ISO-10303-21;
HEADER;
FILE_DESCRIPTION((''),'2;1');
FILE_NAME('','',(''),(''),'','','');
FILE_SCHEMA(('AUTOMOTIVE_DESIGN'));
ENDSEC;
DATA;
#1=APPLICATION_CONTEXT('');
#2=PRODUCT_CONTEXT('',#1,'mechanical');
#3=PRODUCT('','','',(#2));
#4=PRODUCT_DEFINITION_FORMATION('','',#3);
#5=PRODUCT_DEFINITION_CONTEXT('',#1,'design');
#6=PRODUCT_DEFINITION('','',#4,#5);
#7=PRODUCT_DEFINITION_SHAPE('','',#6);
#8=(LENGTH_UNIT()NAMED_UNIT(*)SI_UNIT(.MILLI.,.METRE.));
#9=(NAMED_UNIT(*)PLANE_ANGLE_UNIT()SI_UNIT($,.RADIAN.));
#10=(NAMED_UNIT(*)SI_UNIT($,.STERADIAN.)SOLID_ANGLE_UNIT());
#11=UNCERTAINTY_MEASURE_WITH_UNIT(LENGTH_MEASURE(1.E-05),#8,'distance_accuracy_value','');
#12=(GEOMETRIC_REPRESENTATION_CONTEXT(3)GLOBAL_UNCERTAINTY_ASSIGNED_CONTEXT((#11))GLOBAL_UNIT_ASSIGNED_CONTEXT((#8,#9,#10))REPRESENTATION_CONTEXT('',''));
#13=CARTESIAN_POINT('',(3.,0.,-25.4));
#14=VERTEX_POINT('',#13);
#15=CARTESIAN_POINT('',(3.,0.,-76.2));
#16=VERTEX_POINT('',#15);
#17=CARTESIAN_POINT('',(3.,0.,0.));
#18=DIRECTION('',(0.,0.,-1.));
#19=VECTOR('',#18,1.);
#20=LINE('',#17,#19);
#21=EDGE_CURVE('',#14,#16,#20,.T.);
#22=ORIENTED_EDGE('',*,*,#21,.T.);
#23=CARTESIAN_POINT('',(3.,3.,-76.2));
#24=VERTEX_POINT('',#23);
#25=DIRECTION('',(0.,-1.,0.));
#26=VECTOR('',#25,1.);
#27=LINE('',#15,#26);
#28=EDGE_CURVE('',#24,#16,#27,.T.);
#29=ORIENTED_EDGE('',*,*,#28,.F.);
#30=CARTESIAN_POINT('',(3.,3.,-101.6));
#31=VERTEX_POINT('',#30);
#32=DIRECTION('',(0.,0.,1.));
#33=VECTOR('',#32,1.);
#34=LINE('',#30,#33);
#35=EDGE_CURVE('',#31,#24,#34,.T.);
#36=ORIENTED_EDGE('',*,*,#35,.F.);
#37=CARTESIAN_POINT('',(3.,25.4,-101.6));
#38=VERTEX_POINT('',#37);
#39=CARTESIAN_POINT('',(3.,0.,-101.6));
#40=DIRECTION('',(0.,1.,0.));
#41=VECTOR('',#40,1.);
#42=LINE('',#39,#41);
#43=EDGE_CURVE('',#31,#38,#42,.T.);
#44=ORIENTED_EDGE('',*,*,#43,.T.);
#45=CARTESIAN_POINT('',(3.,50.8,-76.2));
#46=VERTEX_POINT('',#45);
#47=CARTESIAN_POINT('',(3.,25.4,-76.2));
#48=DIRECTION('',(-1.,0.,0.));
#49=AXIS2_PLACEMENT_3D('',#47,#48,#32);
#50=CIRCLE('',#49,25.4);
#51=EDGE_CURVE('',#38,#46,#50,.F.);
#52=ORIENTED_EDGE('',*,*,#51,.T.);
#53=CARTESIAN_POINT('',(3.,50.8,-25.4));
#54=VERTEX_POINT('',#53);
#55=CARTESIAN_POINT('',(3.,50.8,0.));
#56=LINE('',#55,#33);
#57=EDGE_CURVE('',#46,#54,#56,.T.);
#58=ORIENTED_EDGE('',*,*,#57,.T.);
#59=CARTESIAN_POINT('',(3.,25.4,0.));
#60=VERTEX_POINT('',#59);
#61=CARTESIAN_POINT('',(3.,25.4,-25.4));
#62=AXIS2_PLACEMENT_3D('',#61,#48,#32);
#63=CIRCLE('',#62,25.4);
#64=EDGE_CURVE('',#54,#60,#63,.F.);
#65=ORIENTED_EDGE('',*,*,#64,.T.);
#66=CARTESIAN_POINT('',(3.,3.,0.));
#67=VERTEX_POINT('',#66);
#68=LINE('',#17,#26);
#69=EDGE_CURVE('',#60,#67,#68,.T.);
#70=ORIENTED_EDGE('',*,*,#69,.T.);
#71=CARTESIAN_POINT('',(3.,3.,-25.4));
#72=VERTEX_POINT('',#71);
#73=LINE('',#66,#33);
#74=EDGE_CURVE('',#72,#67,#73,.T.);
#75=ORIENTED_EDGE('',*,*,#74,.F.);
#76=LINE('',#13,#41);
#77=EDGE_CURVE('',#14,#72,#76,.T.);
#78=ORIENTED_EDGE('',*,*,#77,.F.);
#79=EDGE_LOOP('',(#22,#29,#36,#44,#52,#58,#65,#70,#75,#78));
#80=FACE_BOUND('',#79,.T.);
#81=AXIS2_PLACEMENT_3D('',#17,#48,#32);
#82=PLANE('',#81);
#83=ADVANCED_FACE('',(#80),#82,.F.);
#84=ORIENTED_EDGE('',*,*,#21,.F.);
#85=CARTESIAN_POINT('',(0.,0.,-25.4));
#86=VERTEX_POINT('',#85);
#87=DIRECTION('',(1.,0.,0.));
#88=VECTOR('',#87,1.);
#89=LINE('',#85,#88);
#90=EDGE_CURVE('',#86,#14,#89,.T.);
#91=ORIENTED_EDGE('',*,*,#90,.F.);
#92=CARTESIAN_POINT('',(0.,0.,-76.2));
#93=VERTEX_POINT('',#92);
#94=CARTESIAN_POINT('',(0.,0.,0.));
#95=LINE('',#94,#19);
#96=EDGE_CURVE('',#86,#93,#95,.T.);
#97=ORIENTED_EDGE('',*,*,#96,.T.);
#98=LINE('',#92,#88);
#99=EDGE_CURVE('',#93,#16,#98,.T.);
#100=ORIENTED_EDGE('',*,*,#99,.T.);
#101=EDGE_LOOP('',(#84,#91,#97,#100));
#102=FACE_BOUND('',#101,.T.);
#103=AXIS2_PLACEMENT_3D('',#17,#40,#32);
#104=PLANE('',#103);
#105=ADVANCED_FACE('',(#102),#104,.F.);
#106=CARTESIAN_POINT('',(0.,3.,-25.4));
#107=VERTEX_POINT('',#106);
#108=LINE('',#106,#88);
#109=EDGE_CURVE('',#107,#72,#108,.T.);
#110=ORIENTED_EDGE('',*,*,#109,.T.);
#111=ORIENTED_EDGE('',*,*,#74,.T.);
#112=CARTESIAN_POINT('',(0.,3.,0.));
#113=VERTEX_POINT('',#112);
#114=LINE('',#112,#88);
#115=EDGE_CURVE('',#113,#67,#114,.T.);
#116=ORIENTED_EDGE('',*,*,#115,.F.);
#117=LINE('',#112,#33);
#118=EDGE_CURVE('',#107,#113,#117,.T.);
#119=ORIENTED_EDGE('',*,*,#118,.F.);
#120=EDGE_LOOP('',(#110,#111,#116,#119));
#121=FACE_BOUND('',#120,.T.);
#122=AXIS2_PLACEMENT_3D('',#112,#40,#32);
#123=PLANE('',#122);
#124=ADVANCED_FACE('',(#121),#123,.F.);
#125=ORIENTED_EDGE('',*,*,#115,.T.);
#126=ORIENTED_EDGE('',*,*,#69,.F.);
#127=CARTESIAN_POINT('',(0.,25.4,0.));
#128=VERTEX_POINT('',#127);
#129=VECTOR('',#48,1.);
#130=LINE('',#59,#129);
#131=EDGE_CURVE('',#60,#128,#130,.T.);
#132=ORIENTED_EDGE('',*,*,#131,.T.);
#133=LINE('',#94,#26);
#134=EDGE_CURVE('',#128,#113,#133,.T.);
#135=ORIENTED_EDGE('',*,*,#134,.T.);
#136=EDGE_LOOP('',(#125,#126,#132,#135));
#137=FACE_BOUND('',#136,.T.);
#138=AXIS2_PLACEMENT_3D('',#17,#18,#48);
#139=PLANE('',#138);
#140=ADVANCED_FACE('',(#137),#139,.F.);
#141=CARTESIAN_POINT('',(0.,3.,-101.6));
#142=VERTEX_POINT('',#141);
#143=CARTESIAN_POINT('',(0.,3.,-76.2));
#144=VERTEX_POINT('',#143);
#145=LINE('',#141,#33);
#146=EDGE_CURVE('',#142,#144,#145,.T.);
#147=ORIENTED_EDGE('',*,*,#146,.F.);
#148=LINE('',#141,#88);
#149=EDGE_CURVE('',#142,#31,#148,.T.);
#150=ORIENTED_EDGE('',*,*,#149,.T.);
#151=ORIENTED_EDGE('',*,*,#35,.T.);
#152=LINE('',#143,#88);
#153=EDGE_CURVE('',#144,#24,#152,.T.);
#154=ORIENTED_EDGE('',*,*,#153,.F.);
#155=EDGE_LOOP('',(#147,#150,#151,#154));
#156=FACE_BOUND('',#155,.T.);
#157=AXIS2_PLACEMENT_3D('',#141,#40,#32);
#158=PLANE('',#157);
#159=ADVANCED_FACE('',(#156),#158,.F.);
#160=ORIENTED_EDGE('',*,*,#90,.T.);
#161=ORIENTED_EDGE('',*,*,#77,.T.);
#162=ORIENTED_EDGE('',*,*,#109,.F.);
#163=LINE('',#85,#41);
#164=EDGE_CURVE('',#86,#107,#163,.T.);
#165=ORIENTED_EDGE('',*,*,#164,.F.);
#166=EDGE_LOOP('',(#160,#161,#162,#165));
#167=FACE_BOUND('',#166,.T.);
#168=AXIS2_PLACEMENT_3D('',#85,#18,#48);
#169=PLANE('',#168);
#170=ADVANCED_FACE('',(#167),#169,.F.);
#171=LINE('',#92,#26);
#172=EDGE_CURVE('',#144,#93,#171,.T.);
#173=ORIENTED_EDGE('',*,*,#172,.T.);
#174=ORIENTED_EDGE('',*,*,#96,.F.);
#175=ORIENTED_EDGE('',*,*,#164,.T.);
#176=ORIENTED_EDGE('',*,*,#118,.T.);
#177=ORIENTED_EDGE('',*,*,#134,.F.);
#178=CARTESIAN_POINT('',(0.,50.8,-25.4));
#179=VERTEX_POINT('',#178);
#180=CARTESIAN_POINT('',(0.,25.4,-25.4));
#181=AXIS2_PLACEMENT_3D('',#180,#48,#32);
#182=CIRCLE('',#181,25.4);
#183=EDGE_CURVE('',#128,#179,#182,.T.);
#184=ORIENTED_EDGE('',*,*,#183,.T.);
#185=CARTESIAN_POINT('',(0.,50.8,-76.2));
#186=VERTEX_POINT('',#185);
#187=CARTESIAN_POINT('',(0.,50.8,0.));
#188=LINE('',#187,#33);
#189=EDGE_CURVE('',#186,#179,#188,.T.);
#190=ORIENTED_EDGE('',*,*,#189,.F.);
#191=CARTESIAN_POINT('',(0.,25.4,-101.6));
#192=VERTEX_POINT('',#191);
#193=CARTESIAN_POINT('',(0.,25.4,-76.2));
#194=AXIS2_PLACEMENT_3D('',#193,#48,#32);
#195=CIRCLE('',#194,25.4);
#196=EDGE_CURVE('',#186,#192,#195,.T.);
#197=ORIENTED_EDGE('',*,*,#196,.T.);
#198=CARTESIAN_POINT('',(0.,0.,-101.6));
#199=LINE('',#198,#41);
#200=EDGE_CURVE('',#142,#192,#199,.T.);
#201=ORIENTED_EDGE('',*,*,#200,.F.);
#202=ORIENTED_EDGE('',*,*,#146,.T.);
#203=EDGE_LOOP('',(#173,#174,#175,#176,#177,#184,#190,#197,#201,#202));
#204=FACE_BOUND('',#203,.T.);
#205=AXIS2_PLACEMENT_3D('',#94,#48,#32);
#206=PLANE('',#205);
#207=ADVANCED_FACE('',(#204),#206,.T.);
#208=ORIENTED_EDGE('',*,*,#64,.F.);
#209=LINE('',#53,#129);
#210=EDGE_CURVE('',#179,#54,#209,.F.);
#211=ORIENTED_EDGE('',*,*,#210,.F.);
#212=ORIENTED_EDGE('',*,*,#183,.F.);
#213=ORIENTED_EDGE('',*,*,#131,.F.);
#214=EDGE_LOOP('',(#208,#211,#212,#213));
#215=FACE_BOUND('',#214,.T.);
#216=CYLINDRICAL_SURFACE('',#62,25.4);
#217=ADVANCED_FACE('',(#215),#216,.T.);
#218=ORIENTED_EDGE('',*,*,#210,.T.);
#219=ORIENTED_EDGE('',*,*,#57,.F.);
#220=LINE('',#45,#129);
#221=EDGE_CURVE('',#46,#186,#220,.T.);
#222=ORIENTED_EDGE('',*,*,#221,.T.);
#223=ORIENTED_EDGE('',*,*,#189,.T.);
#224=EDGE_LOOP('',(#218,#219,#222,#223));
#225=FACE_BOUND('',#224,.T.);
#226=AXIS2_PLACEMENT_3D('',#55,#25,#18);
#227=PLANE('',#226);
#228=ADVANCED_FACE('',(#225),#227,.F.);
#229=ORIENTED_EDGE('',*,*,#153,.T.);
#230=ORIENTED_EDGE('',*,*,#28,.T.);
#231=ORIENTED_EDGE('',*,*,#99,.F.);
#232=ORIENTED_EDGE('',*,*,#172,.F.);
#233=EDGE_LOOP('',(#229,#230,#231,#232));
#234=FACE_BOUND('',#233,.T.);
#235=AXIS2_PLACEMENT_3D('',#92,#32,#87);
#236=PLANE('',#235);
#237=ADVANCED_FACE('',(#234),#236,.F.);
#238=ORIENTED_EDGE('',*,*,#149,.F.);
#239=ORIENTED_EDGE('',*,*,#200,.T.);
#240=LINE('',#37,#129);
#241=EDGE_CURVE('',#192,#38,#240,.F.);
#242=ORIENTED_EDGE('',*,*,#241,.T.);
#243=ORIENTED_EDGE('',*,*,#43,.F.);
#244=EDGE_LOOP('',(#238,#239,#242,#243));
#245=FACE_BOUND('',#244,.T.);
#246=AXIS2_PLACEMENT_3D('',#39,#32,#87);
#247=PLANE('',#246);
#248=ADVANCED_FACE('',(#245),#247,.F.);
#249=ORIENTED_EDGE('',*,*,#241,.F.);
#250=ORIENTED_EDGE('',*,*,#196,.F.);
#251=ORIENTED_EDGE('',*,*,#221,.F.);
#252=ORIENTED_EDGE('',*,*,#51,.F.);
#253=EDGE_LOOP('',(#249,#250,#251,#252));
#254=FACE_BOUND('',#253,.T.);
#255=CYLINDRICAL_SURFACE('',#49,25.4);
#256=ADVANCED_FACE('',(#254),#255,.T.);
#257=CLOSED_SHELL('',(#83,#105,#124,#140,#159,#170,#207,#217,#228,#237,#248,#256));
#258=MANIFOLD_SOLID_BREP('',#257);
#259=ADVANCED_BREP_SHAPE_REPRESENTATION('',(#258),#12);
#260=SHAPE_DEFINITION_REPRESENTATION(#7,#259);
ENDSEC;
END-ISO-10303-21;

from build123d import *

# Parameters (mm, degrees)
SKETCH2_W           = 101.6
SKETCH2_H           = 50.8
BOSS_EXTRUDE1_DEPTH = 3
FILLET1_R           = 25.4
SKETCH4_W           = 25.4
SKETCH4_H           = 3
CUT_EXTRUDE1_DEPTH  = 3


with BuildPart() as part:
    # Sketch2 → Boss-Extrude1 (new body)
    with BuildSketch(Plane(origin=(0, 0, 0), x_dir=(0, 0, -1), z_dir=(1, 0, 0))):
        with Locations((50.8, 25.4)):
            Rectangle(SKETCH2_W, SKETCH2_H)
    extrude(amount=BOSS_EXTRUDE1_DEPTH)

    # Fillet1
    fillet1_edges = [part.edges().sort_by_distance(p)[0] for p in [
        (1.5, 50.8, 0),
        (1.5, 50.8, -101.6),
    ]]
    fillet(fillet1_edges, radius=FILLET1_R)

    # Sketch4 → Cut-Extrude1 (cut)
    with BuildSketch(Plane(origin=(3, 0, 0), x_dir=(0, 0, -1), z_dir=(1, 0, 0))):
        with Locations((12.7, 1.5)):
            Rectangle(SKETCH4_W, SKETCH4_H)
        with Locations((88.9, 1.5)):
            Rectangle(SKETCH4_W, SKETCH4_H)
    extrude(amount=-CUT_EXTRUDE1_DEPTH, mode=Mode.SUBTRACT)


solid = part.part
